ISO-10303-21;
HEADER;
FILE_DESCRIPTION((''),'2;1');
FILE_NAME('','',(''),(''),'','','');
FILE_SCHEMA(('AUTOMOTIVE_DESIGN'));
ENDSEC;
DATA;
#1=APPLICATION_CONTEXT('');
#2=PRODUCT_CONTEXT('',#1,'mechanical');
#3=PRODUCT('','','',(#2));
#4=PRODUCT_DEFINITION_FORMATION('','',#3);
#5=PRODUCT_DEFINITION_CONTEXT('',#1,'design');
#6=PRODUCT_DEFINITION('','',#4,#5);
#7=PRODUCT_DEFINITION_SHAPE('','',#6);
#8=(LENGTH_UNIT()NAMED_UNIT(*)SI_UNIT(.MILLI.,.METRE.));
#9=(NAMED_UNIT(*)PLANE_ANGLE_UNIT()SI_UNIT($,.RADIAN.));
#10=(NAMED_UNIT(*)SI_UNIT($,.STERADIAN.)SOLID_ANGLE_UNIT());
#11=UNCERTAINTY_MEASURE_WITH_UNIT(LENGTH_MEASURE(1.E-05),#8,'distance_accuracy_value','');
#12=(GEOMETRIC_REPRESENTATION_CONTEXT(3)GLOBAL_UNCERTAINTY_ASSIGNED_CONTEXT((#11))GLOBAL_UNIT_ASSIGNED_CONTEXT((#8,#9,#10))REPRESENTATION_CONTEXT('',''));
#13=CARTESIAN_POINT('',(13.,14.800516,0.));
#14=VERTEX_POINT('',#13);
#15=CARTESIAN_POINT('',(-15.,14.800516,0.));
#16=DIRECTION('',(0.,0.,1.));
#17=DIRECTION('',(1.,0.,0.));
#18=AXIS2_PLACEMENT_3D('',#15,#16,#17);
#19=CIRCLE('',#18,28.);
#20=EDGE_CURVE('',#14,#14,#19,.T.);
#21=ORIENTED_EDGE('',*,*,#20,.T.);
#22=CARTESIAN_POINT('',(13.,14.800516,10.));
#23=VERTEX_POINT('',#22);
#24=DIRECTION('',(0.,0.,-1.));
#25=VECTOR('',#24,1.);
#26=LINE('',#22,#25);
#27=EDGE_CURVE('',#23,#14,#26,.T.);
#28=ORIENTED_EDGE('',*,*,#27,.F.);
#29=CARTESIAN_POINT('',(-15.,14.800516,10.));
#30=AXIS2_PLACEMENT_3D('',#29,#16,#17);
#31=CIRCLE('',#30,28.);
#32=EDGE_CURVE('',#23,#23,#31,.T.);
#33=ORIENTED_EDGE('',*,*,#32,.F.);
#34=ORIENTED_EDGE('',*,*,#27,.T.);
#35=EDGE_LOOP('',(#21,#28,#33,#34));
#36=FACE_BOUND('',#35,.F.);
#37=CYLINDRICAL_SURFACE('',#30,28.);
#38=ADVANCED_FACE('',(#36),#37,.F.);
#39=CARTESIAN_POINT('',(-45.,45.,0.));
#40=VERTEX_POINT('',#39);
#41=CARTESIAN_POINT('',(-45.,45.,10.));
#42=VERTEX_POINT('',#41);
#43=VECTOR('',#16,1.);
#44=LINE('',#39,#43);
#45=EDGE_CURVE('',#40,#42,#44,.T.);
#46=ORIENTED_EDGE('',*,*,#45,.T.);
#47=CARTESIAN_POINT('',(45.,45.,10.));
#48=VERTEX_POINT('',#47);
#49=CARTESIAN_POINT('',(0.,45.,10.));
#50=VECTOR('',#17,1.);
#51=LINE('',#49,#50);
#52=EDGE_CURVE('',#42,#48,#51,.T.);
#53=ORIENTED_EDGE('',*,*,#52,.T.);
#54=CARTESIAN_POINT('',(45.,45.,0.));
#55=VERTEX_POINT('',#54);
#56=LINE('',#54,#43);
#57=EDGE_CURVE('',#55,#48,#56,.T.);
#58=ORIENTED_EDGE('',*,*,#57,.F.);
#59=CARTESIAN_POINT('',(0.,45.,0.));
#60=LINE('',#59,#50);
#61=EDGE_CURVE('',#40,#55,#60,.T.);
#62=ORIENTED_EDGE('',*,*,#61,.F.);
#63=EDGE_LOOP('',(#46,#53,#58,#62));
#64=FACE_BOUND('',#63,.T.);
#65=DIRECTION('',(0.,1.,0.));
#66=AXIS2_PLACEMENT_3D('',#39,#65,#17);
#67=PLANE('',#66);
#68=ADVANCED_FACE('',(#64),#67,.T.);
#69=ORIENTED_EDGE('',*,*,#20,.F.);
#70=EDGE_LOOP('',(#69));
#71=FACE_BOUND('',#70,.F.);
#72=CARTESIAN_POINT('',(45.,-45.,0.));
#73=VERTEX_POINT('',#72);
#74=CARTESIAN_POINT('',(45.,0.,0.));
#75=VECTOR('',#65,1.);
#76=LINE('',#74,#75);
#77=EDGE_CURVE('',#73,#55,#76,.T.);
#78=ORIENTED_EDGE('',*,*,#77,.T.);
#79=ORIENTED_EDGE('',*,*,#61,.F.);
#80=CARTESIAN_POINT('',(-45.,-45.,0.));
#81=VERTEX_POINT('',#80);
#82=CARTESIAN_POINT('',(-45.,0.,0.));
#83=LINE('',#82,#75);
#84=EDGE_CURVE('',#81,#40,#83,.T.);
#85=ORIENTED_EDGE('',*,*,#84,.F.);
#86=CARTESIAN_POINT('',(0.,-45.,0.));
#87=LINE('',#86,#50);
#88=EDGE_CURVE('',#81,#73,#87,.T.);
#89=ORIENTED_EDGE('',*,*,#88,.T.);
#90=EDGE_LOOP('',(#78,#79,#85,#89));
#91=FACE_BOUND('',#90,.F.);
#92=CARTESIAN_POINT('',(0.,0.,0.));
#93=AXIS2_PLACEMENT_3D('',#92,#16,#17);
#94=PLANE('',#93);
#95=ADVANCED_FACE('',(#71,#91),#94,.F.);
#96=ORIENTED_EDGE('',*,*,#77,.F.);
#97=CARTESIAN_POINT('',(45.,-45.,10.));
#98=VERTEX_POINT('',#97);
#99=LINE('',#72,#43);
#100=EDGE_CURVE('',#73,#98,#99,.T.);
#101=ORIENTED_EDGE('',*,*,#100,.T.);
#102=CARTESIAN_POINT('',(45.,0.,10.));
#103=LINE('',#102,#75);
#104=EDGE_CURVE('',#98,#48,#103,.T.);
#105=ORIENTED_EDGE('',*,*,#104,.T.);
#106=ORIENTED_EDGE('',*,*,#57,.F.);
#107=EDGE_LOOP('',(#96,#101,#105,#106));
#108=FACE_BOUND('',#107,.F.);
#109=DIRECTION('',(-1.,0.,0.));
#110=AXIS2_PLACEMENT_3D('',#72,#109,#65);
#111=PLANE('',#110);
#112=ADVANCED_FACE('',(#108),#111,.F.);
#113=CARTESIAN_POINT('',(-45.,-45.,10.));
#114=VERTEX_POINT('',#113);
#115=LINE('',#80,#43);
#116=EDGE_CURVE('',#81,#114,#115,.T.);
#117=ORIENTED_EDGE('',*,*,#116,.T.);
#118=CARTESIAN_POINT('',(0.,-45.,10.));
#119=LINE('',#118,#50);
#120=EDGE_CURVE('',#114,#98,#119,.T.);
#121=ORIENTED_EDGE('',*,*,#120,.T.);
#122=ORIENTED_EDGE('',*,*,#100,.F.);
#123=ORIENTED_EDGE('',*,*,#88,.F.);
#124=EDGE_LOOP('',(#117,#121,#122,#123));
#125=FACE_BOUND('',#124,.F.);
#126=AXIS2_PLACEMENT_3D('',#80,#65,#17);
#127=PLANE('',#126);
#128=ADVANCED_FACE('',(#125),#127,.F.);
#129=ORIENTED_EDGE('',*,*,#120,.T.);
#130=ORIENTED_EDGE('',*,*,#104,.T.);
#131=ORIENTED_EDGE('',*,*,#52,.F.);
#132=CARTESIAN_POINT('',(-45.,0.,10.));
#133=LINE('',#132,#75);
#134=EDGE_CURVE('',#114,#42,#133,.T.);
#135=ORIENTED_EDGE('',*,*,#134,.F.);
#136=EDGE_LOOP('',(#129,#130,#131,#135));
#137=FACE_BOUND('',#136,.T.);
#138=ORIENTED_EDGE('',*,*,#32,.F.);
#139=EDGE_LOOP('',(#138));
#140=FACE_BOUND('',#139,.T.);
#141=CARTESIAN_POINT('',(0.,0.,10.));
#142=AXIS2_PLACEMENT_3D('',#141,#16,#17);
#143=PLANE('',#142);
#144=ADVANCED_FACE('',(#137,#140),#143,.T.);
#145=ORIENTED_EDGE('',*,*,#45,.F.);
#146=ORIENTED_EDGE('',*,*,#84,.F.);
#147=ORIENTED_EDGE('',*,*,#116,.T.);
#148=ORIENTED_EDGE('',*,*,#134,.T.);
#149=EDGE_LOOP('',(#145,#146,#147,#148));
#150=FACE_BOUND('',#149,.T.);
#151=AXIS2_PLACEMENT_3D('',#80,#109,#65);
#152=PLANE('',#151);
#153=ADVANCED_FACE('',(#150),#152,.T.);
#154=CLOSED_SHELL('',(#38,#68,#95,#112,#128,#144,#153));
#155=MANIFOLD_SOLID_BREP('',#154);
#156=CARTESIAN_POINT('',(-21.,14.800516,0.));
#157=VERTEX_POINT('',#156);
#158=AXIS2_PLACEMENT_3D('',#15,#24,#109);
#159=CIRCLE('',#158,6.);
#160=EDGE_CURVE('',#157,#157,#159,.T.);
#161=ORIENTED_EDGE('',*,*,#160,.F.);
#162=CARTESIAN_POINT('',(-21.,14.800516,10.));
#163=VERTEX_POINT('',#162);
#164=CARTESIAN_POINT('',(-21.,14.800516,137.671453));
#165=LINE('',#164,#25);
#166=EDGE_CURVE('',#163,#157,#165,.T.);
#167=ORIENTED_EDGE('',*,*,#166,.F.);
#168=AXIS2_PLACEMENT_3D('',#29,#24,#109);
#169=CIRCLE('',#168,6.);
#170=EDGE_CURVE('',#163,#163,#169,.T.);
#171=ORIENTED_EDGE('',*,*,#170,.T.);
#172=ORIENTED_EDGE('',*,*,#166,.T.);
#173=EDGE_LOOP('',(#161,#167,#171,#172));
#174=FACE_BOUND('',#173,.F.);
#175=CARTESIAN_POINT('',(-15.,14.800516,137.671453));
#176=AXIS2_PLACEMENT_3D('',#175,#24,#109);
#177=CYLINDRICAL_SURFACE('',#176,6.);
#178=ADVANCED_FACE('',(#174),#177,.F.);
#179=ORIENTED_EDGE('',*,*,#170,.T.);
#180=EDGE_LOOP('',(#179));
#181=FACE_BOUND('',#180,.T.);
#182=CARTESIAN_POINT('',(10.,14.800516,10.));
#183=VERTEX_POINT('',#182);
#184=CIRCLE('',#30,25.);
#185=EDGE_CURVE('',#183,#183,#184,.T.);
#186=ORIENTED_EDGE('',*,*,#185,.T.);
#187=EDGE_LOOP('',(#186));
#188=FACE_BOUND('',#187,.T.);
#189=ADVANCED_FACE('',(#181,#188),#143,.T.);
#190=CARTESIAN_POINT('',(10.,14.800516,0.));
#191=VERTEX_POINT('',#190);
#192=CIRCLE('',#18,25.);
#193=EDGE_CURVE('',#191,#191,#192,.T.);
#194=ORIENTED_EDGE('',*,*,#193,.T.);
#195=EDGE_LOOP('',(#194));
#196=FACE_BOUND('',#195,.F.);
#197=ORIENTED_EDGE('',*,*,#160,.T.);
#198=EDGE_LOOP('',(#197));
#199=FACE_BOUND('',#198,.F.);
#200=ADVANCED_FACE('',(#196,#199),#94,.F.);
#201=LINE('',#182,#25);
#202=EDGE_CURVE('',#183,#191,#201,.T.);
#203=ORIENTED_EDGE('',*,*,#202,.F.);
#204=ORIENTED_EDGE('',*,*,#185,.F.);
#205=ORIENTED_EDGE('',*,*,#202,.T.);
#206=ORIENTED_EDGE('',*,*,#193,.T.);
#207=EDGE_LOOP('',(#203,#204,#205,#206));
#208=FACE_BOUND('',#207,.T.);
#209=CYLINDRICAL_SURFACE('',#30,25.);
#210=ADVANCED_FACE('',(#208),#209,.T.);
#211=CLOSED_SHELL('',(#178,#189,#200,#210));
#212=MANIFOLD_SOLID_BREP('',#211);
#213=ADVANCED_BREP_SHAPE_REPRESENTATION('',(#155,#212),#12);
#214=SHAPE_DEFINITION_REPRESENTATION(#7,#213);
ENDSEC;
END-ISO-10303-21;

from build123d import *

# Parameters (mm, degrees)
F0_W     = 90
F0_H     = 90
F1_DEPTH = 10
F3_D     = 12
F4_R     = 28
F4_R_2   = 25
F5_DEPTH = 10.001


with BuildPart() as f1:
    # F0 (on Top) → F1 (new body)
    with BuildSketch(Plane.XY):
        Rectangle(F0_W, F0_H)
    extrude(amount=F1_DEPTH)

    # F3 (through all)
    with Locations(Plane.XY.offset(10)):
        with Locations((-15, 14.800516)):
            Hole(F3_D / 2)

    # F4 (on face) → F5 (cut, through all)
    with BuildSketch(Plane.XY.offset(10)):
        with Locations((-15, 14.800516)):
            Circle(F4_R)
        with Locations((-15, 14.800516)):
            Circle(F4_R_2, mode=Mode.SUBTRACT)
    extrude(amount=-F5_DEPTH, mode=Mode.SUBTRACT)


solid = f1.part
